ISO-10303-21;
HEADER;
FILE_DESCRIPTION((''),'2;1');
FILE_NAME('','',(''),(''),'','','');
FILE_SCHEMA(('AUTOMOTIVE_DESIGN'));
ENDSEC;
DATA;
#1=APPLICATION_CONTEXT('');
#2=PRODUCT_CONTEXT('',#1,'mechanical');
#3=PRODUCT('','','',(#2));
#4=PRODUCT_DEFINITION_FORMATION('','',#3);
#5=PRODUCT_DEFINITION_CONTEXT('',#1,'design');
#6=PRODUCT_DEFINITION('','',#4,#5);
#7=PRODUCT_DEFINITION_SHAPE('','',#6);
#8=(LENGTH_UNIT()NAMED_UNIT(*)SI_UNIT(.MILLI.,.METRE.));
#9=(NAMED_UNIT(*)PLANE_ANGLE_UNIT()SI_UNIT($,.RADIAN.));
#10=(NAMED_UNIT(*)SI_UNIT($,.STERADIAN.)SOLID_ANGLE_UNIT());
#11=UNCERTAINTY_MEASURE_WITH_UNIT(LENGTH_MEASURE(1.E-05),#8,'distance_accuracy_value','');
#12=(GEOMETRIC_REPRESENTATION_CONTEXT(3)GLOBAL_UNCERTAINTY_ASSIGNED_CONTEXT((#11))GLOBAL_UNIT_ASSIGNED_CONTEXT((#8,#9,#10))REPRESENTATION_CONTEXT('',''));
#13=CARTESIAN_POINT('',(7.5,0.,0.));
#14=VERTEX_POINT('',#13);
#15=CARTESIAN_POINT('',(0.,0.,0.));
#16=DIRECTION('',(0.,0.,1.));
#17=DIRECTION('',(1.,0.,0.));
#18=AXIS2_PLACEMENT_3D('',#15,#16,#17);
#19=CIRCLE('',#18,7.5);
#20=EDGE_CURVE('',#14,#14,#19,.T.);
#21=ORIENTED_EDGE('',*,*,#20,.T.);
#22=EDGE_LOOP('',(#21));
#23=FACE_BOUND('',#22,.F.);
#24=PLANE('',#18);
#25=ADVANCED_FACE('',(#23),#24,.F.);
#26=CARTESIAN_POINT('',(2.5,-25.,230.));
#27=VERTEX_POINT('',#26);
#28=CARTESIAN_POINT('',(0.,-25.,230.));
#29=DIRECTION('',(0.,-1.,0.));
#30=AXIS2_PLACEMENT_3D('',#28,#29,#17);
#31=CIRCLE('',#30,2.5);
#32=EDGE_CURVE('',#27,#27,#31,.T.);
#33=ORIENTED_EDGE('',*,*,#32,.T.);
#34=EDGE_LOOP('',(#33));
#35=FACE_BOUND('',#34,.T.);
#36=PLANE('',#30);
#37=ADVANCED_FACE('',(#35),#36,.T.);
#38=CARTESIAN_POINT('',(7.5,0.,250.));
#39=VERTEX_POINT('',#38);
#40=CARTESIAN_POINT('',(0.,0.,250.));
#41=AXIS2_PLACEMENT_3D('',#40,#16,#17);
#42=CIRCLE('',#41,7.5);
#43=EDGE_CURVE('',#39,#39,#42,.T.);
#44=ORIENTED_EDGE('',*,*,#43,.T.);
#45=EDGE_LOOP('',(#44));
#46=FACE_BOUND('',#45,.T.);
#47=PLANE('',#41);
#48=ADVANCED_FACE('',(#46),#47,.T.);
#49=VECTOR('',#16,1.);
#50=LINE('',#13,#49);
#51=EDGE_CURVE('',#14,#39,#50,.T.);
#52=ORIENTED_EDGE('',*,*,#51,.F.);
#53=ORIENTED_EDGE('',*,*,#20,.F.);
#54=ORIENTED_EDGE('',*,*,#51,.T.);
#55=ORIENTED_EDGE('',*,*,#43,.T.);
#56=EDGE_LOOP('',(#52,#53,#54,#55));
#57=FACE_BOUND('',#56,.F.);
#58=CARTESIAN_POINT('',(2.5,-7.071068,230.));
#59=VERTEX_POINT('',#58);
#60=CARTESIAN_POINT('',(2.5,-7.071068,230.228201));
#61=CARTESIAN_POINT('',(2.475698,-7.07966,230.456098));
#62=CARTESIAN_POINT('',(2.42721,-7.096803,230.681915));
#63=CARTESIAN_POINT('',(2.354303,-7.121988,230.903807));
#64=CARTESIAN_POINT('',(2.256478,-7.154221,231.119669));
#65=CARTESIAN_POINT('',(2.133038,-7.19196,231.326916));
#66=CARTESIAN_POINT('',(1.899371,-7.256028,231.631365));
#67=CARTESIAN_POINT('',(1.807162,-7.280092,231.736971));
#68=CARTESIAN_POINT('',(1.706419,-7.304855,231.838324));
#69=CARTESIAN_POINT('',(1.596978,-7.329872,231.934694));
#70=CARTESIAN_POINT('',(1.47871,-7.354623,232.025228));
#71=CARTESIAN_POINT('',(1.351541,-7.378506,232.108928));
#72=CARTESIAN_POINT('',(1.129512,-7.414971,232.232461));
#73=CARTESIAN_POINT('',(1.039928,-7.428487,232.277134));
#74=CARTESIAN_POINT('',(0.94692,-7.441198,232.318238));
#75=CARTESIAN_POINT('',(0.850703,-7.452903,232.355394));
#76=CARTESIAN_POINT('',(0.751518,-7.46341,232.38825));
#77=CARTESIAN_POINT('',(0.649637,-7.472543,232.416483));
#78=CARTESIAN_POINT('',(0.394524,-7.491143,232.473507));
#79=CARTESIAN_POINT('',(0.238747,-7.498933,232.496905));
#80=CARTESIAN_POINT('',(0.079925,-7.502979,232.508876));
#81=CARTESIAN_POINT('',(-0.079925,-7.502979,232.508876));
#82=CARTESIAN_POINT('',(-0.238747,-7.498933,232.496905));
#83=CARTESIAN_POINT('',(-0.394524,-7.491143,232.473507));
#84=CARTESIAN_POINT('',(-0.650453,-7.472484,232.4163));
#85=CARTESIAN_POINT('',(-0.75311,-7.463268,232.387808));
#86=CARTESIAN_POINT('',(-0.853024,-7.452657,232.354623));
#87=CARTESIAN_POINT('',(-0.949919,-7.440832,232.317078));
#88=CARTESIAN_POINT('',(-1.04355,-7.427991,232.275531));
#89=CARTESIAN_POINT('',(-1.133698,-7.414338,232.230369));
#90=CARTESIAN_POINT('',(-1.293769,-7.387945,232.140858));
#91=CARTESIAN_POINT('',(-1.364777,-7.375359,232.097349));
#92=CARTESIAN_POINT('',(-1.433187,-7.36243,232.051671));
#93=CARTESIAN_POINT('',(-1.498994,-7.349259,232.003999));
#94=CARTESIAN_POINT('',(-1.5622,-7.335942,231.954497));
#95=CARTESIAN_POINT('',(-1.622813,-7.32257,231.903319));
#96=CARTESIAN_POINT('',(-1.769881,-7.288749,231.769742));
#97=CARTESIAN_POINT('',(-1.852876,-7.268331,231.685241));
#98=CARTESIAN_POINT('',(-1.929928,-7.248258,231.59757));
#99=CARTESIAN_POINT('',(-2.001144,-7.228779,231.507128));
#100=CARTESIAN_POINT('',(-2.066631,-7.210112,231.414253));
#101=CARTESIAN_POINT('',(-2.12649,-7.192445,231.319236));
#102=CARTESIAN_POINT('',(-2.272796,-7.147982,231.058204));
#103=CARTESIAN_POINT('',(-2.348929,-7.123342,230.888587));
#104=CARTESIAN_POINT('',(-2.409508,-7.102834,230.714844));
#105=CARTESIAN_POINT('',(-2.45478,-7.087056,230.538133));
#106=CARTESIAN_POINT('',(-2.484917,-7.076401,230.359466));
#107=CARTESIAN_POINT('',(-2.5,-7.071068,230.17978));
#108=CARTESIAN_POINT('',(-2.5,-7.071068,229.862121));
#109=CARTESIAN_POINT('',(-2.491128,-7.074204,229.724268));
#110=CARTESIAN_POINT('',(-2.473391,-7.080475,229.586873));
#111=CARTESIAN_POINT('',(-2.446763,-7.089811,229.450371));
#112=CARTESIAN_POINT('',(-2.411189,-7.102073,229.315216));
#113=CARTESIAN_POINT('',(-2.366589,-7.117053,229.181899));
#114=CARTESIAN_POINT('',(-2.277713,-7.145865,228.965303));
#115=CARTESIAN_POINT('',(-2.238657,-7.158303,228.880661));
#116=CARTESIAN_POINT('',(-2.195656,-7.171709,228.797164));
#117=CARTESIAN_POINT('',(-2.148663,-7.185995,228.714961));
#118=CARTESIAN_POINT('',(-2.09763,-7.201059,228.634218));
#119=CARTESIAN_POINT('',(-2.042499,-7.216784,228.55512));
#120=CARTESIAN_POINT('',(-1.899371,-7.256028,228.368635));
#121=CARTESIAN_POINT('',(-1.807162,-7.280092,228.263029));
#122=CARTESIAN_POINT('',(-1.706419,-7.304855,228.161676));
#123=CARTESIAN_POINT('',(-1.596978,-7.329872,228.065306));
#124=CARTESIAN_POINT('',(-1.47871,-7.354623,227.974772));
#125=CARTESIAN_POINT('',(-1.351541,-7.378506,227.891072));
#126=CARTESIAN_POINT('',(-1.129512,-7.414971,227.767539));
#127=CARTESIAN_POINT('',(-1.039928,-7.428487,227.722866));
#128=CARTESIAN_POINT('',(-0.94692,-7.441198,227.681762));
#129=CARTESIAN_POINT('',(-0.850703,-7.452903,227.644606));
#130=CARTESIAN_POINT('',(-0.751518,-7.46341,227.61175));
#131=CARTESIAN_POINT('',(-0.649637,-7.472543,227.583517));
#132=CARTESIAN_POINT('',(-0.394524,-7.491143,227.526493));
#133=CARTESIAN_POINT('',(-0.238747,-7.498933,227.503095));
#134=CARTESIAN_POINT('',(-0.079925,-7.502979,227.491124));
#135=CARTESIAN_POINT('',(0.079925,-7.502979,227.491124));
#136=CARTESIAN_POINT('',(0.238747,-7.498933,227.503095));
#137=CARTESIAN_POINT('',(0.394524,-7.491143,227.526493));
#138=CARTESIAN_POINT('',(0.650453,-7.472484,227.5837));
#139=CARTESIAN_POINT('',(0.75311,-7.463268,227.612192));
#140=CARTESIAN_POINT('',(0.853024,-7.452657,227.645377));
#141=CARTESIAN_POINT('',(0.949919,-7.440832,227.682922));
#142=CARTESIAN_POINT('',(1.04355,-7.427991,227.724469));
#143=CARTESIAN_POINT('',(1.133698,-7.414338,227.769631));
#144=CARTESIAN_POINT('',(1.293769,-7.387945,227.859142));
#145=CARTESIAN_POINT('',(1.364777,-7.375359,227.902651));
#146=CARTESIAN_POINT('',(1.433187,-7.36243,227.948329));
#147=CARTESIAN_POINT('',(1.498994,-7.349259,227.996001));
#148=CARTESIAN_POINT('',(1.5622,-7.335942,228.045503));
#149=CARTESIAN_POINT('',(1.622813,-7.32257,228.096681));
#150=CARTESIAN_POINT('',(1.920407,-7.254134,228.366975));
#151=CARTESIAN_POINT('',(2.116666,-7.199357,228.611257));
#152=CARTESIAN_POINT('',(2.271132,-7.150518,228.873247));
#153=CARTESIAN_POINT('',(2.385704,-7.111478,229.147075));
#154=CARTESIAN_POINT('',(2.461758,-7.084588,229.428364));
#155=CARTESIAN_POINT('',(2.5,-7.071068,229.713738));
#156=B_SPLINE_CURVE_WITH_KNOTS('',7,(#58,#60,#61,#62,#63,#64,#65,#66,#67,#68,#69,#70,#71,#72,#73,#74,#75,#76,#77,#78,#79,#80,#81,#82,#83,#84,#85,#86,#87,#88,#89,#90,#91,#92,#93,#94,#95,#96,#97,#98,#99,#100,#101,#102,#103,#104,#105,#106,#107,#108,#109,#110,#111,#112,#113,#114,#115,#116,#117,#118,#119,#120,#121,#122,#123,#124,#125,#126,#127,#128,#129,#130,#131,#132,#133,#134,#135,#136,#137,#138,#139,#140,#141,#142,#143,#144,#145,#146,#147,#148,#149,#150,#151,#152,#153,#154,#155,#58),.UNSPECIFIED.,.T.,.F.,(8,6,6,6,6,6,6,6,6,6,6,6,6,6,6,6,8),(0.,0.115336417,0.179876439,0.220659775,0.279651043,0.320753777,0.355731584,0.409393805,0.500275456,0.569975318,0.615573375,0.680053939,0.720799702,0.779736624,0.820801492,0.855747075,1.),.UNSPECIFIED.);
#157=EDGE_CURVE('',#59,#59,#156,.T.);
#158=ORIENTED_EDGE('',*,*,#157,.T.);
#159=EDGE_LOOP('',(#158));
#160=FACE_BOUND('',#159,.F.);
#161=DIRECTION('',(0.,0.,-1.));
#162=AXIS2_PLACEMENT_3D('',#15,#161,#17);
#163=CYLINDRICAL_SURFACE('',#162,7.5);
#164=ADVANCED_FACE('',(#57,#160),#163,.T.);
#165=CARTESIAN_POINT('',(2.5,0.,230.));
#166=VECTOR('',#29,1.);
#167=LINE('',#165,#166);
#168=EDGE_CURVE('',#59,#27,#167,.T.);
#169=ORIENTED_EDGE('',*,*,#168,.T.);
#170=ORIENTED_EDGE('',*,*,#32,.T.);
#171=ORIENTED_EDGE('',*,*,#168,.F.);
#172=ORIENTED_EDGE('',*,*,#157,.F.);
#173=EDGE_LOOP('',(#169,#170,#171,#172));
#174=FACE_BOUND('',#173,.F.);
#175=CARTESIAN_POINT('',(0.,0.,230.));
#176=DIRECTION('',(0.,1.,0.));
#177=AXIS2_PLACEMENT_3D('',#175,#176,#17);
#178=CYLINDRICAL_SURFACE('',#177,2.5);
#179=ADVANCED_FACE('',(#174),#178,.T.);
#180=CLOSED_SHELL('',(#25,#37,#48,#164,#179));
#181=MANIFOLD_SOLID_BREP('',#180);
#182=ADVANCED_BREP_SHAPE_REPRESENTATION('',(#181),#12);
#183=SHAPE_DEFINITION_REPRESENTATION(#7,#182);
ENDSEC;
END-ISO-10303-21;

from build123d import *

# Parameters (mm, degrees)
F0_R     = 7.5
F1_DEPTH = 250
F2_R     = 2.5
F3_DEPTH = 25


with BuildPart() as f1:
    # F0 (on Top) → F1 (new body)
    with BuildSketch(Plane.XY):
        Circle(F0_R)
    extrude(amount=F1_DEPTH)

    # F2 (on Front) → F3 (join)
    with BuildSketch(Plane.XZ):
        with Locations((0, 230)):
            Circle(F2_R)
    extrude(amount=F3_DEPTH)


solid = f1.part
